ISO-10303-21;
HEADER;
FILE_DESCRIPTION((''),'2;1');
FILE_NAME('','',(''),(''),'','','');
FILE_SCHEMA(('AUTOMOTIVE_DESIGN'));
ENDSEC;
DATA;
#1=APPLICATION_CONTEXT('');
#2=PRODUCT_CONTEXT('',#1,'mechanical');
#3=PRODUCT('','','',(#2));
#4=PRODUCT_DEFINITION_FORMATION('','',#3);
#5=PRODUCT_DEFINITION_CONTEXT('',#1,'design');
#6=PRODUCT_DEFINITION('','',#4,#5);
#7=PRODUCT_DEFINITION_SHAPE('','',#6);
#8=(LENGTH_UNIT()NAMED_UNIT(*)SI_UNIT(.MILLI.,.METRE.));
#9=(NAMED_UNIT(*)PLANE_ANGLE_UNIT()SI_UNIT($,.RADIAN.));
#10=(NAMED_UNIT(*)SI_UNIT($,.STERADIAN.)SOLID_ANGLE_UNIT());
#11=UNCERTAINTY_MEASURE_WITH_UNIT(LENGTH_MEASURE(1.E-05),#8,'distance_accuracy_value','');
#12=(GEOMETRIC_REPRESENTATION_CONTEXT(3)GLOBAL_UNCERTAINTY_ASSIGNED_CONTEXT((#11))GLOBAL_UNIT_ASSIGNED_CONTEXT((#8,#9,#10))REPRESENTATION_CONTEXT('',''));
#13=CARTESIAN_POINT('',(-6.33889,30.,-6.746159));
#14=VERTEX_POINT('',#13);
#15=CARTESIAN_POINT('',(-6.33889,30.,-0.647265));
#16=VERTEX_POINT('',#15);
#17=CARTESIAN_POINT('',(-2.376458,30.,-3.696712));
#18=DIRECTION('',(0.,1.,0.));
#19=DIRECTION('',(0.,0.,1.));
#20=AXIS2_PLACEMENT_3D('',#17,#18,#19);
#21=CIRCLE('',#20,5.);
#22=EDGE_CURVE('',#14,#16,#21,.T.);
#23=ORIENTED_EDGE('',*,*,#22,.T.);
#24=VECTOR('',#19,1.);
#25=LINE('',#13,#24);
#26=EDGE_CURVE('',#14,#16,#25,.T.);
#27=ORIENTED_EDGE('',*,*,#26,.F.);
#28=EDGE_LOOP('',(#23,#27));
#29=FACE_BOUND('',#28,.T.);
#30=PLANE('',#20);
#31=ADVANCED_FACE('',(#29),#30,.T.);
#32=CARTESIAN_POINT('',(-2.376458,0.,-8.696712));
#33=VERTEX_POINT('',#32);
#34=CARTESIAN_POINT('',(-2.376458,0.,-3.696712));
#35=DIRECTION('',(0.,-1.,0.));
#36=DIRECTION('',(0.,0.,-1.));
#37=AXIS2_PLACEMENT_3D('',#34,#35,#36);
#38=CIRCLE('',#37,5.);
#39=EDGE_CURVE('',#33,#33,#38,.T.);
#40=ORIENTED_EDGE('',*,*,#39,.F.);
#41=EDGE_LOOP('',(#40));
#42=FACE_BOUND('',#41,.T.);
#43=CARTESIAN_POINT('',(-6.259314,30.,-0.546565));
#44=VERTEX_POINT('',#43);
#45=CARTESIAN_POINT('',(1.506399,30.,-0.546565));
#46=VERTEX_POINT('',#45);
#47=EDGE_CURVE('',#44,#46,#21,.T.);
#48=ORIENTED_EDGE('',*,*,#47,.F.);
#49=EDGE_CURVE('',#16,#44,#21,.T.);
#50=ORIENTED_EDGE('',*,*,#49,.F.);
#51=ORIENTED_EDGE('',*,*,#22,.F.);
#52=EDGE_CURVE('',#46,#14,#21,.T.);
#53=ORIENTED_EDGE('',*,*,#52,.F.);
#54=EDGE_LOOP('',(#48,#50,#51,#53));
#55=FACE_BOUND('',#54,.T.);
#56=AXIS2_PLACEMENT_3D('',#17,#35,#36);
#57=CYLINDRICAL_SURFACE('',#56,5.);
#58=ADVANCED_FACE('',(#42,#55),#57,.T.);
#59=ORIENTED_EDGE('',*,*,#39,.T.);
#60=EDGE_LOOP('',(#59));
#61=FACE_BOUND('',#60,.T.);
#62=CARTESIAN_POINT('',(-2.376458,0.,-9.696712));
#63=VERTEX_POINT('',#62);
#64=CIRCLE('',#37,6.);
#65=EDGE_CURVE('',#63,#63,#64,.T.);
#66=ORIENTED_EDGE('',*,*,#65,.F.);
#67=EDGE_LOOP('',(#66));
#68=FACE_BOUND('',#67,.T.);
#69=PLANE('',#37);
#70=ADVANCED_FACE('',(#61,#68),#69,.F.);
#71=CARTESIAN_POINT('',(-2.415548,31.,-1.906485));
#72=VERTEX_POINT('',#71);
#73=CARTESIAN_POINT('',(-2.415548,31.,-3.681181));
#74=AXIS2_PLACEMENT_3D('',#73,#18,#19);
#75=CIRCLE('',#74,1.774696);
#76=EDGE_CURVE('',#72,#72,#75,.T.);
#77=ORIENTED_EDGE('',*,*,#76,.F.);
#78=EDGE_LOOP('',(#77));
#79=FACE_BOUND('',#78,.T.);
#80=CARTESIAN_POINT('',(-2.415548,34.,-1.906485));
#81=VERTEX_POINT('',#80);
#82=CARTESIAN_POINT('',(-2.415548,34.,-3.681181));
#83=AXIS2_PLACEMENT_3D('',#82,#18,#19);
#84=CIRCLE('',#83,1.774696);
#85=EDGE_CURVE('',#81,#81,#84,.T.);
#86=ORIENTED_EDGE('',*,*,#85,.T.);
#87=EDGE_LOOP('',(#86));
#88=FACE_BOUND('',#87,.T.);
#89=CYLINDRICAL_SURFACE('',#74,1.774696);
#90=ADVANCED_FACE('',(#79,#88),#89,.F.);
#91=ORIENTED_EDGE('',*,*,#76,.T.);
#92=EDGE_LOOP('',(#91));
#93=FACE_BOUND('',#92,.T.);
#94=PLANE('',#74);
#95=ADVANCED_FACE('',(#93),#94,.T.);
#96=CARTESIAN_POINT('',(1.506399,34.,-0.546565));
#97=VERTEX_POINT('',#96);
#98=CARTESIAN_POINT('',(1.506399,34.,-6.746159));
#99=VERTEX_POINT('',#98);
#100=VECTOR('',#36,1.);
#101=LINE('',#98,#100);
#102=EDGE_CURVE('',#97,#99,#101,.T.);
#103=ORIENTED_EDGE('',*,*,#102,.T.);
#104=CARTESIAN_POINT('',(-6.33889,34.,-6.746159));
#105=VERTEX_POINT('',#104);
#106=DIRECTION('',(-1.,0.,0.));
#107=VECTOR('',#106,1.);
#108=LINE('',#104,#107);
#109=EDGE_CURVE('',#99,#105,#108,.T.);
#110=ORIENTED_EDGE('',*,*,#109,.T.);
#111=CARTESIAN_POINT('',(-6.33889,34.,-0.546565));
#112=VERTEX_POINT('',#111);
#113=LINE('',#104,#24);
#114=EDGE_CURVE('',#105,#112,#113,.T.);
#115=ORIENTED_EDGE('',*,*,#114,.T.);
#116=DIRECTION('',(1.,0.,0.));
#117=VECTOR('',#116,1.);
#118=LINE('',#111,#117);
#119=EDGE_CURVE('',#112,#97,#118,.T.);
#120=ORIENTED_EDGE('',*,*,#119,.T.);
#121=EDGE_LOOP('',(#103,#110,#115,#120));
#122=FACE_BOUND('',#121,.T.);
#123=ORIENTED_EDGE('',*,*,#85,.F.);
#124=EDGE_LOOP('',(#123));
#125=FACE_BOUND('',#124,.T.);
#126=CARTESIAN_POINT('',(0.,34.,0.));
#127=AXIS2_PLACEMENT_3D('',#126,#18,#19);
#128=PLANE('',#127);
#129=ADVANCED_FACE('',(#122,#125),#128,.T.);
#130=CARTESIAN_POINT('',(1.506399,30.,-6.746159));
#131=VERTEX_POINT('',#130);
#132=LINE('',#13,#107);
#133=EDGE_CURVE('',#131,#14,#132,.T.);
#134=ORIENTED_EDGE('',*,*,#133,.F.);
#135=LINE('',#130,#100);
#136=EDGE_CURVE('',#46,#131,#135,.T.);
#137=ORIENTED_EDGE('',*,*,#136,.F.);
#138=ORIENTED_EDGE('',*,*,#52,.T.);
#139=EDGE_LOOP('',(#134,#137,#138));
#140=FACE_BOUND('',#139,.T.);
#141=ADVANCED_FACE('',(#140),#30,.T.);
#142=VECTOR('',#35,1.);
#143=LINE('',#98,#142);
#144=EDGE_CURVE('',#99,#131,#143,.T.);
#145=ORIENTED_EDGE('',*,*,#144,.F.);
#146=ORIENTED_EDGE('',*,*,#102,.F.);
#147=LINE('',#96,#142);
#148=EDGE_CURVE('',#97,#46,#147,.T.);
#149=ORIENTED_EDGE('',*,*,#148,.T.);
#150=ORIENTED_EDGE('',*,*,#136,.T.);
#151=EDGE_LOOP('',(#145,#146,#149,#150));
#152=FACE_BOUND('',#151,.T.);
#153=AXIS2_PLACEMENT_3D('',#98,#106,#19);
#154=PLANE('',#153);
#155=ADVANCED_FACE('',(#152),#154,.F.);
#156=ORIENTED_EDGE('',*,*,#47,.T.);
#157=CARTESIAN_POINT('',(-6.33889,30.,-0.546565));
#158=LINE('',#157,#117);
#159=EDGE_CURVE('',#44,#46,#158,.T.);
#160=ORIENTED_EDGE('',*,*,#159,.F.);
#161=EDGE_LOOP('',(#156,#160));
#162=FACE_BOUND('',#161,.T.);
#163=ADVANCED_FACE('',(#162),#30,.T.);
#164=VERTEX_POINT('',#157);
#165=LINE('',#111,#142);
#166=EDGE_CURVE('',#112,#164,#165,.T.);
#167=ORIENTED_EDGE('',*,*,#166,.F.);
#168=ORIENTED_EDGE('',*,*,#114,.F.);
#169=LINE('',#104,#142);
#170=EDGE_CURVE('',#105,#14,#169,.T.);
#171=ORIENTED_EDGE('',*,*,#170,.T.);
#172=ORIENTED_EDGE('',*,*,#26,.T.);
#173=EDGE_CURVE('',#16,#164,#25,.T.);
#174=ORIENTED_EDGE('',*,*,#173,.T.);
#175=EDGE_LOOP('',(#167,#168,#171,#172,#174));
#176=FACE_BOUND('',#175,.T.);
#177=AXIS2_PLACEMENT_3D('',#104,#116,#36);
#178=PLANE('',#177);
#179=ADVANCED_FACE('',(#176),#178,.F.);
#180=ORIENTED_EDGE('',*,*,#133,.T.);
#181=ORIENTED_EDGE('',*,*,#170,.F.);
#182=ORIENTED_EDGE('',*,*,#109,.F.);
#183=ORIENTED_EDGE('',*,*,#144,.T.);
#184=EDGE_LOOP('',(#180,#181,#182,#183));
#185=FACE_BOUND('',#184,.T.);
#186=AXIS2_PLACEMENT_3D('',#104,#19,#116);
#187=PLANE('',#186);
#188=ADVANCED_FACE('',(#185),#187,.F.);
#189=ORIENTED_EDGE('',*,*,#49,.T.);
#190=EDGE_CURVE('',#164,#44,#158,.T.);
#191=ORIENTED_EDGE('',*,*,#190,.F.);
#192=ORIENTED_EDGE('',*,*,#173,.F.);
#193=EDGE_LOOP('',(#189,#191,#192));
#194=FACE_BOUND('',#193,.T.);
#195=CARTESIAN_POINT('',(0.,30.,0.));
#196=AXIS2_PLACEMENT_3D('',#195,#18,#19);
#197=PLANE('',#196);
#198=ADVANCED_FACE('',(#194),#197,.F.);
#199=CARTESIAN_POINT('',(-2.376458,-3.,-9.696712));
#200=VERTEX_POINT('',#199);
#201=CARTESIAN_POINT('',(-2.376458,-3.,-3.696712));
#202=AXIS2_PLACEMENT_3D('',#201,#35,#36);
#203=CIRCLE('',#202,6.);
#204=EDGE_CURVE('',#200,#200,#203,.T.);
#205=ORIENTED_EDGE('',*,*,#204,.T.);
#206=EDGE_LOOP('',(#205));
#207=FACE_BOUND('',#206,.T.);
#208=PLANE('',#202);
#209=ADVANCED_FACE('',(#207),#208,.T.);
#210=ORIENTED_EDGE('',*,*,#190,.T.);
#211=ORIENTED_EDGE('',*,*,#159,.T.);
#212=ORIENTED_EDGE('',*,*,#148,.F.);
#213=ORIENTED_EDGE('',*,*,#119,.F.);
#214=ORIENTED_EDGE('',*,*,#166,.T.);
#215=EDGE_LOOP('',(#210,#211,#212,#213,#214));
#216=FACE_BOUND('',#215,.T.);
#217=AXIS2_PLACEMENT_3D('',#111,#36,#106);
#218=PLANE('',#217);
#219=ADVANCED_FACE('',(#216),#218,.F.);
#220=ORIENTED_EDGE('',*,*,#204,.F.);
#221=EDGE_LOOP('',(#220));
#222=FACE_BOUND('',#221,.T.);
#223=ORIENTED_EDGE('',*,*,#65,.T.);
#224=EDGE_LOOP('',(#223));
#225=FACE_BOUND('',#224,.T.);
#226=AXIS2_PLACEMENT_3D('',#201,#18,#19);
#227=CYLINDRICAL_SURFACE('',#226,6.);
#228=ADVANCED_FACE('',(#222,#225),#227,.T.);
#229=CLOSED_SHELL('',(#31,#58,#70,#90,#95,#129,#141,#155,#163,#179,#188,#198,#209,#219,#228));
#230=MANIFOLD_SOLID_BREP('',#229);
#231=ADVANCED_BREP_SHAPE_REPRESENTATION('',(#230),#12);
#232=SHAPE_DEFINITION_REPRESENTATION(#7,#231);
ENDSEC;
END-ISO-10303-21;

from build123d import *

# Parameters (mm, degrees)
SKETCH1_R           = 5
BOSS_EXTRUDE2_DEPTH = 30
SKETCH2_W           = 7.845289229
SKETCH2_H           = 6.199593877
BOSS_EXTRUDE3_DEPTH = 4
SKETCH3_R           = 1.774695969
CUT_EXTRUDE1_DEPTH  = 3
SKETCH4_R           = 6
BOSS_EXTRUDE4_DEPTH = 3


with BuildPart() as part:
    # Sketch1 → Boss-Extrude2 (new body)
    with BuildSketch(Plane(origin=(0, 0, 0), x_dir=(1, 0, 0), z_dir=(0, 1, 0))):
        with Locations(Location((-2.376457655, 3.696711907, 0), (0, 0, 270))):
            Circle(SKETCH1_R)
    extrude(amount=BOSS_EXTRUDE2_DEPTH)

    # Sketch2 → Boss-Extrude3 (add)
    with BuildSketch(Plane(origin=(0, 30, 0), x_dir=(1, 0, 0), z_dir=(0, 1, 0))):
        with Locations((-2.416245544, 3.646362238)):
            Rectangle(SKETCH2_W, SKETCH2_H)
    extrude(amount=BOSS_EXTRUDE3_DEPTH)

    # Sketch3 → Cut-Extrude1 (cut)
    with BuildSketch(Plane(origin=(0, 34, 0), x_dir=(1, 0, 0), z_dir=(0, 1, 0))):
        with Locations(Location((-2.415547682, 3.681180673, 0), (0, 0, 270))):
            Circle(SKETCH3_R)
    extrude(amount=-CUT_EXTRUDE1_DEPTH, mode=Mode.SUBTRACT)

    # Sketch4 → Boss-Extrude4 (add)
    with BuildSketch(Plane(origin=(0, 0, 0), x_dir=(-1, 0, 0), z_dir=(0, -1, 0))):
        with Locations(Location((2.376457655, 3.696711907, 0), (0, 0, 90))):
            Circle(SKETCH4_R)
    extrude(amount=BOSS_EXTRUDE4_DEPTH)


solid = part.part
